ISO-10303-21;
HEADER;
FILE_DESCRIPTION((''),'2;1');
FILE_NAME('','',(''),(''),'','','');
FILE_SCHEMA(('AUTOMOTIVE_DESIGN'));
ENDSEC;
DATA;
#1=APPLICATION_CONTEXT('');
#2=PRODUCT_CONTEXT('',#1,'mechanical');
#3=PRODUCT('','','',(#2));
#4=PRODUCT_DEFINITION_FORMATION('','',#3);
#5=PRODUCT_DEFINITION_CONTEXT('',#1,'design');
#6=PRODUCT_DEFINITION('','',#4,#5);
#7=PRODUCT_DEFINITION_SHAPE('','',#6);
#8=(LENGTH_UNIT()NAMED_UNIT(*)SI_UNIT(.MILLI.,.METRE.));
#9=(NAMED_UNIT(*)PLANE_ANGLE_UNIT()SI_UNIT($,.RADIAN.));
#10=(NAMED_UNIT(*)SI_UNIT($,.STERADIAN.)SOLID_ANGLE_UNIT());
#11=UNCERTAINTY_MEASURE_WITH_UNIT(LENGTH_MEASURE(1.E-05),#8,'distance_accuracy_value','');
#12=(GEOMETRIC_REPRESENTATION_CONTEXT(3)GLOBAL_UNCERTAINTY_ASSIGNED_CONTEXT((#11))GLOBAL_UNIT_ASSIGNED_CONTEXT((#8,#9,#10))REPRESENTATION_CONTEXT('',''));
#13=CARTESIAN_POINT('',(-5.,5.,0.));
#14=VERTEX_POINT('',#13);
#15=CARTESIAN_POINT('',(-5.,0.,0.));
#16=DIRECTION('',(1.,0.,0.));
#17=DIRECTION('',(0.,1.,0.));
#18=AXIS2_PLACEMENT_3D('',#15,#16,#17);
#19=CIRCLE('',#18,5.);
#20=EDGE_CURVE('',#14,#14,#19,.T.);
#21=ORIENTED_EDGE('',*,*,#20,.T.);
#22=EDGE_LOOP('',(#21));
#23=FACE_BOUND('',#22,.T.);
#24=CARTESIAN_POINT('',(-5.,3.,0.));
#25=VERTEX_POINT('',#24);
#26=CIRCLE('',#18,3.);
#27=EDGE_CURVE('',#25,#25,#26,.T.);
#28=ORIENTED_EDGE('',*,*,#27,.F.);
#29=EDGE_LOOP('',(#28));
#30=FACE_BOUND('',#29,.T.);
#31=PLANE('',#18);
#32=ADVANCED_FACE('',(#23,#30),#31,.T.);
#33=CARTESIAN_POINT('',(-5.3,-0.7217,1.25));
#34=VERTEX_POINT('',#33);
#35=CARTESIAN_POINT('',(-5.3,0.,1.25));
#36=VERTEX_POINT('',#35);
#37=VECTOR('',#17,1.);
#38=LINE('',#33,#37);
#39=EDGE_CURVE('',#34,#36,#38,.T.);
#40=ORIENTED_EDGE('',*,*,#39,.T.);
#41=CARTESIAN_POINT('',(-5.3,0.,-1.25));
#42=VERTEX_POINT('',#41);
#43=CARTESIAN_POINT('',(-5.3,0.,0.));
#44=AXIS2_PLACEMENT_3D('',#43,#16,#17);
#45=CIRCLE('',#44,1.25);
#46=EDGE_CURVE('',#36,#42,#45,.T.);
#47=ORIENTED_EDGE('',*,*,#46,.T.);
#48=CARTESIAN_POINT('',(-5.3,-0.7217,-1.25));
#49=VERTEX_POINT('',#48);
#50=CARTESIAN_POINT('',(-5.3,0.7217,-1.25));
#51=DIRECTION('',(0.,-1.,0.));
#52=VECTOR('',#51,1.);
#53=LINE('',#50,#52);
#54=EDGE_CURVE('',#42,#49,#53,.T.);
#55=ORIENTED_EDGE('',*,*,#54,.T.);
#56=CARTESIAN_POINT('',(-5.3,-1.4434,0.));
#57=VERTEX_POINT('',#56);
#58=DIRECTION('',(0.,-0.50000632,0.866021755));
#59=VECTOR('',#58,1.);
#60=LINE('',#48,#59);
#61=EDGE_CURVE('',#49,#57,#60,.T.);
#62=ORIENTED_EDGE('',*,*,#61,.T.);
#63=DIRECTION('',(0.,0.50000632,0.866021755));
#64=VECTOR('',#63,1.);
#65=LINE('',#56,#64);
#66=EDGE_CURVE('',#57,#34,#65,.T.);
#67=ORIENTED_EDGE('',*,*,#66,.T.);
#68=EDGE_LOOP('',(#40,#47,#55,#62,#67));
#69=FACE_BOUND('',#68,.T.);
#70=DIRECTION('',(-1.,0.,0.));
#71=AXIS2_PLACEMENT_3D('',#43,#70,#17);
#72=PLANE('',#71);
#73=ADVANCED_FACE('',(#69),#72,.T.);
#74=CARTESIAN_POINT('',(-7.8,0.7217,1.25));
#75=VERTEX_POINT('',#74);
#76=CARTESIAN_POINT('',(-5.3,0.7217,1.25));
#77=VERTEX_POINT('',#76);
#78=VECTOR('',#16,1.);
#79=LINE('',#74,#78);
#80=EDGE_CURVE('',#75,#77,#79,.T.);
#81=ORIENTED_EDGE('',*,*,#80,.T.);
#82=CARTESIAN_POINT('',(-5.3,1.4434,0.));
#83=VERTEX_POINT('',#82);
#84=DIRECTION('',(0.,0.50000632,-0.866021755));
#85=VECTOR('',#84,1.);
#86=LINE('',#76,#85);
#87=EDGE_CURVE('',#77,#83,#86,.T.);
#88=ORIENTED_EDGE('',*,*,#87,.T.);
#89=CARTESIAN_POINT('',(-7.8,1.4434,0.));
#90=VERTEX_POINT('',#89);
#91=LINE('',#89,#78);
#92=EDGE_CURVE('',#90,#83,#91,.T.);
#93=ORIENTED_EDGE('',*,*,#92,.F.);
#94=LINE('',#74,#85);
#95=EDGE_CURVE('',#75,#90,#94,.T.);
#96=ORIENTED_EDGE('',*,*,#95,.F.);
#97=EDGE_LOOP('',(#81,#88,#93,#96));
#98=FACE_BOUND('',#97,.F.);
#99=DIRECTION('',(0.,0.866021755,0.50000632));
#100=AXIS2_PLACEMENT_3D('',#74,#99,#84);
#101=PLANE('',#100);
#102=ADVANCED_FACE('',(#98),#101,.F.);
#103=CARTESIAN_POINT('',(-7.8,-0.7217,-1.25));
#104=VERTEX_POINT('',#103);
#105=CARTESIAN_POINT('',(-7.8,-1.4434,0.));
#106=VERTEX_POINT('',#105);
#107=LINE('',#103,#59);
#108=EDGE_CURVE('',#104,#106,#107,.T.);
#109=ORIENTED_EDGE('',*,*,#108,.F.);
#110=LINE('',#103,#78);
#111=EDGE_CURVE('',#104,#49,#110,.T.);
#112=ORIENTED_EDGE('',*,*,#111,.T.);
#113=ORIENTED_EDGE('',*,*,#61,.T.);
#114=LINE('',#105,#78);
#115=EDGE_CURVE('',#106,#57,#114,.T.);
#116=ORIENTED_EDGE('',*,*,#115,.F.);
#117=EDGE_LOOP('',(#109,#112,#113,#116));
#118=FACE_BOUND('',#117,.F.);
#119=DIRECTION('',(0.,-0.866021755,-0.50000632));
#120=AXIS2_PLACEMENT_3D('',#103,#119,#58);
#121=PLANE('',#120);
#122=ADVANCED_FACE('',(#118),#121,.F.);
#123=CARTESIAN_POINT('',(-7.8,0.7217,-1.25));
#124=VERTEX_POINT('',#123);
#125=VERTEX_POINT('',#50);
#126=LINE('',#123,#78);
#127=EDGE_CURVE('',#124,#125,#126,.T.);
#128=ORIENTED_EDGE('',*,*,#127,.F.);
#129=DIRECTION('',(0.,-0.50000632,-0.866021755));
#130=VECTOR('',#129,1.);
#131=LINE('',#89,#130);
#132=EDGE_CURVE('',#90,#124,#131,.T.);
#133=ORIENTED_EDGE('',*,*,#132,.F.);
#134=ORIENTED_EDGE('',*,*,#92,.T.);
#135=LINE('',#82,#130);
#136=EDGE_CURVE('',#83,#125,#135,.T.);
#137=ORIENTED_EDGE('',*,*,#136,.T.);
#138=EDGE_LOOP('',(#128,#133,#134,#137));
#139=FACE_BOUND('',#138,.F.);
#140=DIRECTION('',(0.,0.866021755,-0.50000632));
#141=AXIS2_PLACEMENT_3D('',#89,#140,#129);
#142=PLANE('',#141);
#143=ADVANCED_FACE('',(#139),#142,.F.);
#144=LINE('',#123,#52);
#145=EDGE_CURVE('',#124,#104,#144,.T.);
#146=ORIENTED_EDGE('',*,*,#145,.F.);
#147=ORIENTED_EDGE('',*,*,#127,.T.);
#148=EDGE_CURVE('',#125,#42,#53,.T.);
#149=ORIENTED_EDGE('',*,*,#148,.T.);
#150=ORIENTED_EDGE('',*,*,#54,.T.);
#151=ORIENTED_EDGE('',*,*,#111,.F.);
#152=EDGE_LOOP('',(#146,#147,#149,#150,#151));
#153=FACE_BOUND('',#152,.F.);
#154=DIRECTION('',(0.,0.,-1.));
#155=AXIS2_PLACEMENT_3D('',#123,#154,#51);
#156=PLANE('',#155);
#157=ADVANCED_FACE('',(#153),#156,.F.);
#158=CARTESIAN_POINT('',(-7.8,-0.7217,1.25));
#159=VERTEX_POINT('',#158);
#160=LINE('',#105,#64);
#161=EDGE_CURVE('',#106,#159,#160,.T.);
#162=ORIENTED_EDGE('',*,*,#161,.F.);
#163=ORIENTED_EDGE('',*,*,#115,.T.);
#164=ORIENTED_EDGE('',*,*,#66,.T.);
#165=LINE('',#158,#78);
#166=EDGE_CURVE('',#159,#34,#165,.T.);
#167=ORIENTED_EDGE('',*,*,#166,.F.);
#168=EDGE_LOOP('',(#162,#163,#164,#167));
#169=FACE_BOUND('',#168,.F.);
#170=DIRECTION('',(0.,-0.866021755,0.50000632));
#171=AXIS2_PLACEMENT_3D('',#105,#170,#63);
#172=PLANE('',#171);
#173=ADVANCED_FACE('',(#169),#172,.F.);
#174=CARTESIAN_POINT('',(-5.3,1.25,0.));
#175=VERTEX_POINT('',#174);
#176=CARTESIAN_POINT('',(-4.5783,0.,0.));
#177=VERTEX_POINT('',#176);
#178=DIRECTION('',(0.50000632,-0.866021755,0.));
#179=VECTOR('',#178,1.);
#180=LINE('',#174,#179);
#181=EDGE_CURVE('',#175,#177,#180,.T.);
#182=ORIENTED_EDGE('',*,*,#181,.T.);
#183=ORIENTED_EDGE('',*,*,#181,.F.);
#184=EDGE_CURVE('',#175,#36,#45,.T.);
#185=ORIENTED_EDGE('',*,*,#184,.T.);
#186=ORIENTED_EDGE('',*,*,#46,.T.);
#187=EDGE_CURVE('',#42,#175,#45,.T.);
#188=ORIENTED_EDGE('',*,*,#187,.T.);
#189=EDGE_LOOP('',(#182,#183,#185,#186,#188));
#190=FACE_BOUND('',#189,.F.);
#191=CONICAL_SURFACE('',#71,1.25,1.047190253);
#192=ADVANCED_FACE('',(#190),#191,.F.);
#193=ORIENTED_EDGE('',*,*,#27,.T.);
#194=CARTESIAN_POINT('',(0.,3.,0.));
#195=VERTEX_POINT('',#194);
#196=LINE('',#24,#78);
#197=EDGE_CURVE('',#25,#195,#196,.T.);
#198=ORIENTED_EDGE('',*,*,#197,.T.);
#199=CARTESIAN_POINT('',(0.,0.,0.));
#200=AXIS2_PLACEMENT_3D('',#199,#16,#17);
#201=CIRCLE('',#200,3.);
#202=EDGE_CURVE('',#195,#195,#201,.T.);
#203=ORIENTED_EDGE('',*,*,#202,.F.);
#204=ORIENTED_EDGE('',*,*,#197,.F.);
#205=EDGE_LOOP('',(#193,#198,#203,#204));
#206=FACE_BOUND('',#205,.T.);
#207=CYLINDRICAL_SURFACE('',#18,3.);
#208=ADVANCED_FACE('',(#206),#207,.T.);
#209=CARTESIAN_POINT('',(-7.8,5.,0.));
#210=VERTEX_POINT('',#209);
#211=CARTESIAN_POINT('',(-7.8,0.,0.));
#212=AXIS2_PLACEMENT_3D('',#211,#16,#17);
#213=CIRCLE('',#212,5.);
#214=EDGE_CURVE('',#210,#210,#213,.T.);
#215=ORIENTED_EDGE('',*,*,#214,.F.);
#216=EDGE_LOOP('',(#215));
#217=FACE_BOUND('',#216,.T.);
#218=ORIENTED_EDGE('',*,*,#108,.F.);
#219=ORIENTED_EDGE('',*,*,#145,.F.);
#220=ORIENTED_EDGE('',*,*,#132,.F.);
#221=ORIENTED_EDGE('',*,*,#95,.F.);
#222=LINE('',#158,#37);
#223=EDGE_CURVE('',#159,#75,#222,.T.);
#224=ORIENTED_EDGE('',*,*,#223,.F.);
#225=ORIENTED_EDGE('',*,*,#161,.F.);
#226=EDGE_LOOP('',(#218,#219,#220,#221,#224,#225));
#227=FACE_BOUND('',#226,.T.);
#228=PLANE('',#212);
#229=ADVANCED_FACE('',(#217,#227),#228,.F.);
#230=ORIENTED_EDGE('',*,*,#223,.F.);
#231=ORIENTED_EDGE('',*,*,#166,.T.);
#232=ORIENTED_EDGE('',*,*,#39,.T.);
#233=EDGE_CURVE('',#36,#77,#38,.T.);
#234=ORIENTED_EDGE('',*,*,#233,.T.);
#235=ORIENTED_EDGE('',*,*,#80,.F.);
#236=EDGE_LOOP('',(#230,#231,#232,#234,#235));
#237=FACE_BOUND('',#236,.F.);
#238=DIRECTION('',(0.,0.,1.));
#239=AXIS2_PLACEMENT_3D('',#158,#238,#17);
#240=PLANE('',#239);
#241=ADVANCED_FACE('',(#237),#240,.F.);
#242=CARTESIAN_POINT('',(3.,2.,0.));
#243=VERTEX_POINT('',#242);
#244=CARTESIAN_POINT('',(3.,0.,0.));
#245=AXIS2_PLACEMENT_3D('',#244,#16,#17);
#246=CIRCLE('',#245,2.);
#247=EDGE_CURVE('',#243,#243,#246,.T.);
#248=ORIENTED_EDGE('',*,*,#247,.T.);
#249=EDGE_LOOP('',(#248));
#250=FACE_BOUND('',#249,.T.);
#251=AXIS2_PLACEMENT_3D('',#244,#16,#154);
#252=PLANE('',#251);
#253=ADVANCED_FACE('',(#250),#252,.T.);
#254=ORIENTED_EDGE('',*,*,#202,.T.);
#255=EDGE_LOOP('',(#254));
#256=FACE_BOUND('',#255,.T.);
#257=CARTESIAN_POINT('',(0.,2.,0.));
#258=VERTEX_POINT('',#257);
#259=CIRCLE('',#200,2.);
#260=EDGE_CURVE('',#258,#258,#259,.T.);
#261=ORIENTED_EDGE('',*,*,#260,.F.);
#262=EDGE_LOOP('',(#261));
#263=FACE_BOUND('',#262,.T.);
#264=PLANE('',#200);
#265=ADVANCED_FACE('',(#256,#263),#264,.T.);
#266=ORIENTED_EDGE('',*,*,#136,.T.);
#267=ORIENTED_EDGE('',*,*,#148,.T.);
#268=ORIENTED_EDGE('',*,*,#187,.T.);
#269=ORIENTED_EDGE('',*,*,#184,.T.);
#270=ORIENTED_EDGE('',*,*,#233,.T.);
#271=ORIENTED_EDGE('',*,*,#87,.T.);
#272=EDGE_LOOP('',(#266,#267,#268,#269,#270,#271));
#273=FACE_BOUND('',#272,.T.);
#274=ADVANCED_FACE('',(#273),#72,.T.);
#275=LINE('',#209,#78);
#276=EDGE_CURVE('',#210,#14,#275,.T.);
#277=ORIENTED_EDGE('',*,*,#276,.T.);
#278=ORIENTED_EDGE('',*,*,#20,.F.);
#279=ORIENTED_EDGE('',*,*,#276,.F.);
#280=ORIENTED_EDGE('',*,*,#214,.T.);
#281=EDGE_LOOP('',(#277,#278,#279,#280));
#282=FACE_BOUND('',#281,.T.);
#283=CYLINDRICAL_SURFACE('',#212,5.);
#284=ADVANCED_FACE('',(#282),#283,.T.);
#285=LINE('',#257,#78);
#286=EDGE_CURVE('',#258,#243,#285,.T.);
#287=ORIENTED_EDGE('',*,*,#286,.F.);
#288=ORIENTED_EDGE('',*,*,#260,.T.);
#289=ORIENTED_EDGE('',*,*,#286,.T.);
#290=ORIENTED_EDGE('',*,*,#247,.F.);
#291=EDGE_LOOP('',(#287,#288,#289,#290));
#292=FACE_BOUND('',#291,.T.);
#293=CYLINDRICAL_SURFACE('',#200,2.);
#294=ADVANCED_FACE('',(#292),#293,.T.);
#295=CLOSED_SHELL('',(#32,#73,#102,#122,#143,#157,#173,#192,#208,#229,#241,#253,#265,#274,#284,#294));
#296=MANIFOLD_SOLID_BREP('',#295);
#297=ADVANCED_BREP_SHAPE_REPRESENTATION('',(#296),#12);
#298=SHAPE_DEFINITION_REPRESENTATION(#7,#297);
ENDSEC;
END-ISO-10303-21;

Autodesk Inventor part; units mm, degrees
ref_plane "YZ Plane" through (0, 0, 0) normal (1, 0, 0) x (0, 1, 0)
ref_plane "XZ Plane" through (0, 0, 0) normal (0, 1, 0) x (-1, 0, 0)
ref_plane "XY Plane" through (0, 0, 0) normal (0, 0, 1) x (1, 0, 0)
sketch "Sketch_1" plane through (0, 0, 0) normal (0, 0, 1) x (1, 0, 0)
  line L0 (5, 0) -> (-7.8, 0)
  line L1 (-7.8, 0) -> (-7.8, 5)
  line L2 (-7.8, 5) -> (-5, 5)
  line L3 (-5, 5) -> (-5, 3)
  line L4 (-5, 3) -> (0, 3)
  line L5 (0, 3) -> (0, 2)
  line L6 (0, 2) -> (4.5705, 2)
  line L7 (4.5705, 2) -> (5, 1.5705)
  line L8 (5, 1.5705) -> (5, 0)
  line L9 (5, 0) -> (-7.8, 0)
revolve "Revolution1" add sketch "Sketch_1" angle 360 about axis through (5, 0, 0) along (1, 0, 0)
thread "Thread1" size "M4x0.7" class "6g" standard "ISO Metric profile" length 3.3705
sketch "Sketch_2" plane through (-7.8, 0, 0) normal (-1, 0, 0) x (0, 1, 0)
  line L0 (-1.4434, 0) -> (-0.7217, -1.25)
  line L1 (-0.7217, -1.25) -> (0.7217, -1.25)
  line L2 (0.7217, -1.25) -> (1.4434, 0)
  line L3 (1.4434, 0) -> (0.7217, 1.25)
  line L4 (0.7217, 1.25) -> (-0.7217, 1.25)
  line L5 (-0.7217, 1.25) -> (-1.4434, 0)
extrude "Extrusion1" cut sketch "Sketch_2" against normal blind 2.5
sketch "Sketch_3" plane through (0, 0, 0) normal (0, 0, 1) x (1, 0, 0)
  line L0 (-4.5783, 0) -> (-5.3, 0)
  line L1 (-5.3, 0) -> (-5.3, 1.25)
  line L2 (-5.3, 1.25) -> (-4.5783, 0)
  line L3 (-4.5783, 0) -> (-5.3, 0)
revolve "Revolution2" cut sketch "Sketch_3" angle 360 about axis through (-4.5783, 0, 0) along (1, 0, 0)
sketch "スケッチ4" plane through (5, 0, 0) normal (1, 0, 0) x (0, 0, -1)
  circle A0 centre (0, 0) radius 5
extrude "押し出し2" cut sketch "スケッチ4" against normal blind 2
properties part number "DBS4-5-5_AddProc"
